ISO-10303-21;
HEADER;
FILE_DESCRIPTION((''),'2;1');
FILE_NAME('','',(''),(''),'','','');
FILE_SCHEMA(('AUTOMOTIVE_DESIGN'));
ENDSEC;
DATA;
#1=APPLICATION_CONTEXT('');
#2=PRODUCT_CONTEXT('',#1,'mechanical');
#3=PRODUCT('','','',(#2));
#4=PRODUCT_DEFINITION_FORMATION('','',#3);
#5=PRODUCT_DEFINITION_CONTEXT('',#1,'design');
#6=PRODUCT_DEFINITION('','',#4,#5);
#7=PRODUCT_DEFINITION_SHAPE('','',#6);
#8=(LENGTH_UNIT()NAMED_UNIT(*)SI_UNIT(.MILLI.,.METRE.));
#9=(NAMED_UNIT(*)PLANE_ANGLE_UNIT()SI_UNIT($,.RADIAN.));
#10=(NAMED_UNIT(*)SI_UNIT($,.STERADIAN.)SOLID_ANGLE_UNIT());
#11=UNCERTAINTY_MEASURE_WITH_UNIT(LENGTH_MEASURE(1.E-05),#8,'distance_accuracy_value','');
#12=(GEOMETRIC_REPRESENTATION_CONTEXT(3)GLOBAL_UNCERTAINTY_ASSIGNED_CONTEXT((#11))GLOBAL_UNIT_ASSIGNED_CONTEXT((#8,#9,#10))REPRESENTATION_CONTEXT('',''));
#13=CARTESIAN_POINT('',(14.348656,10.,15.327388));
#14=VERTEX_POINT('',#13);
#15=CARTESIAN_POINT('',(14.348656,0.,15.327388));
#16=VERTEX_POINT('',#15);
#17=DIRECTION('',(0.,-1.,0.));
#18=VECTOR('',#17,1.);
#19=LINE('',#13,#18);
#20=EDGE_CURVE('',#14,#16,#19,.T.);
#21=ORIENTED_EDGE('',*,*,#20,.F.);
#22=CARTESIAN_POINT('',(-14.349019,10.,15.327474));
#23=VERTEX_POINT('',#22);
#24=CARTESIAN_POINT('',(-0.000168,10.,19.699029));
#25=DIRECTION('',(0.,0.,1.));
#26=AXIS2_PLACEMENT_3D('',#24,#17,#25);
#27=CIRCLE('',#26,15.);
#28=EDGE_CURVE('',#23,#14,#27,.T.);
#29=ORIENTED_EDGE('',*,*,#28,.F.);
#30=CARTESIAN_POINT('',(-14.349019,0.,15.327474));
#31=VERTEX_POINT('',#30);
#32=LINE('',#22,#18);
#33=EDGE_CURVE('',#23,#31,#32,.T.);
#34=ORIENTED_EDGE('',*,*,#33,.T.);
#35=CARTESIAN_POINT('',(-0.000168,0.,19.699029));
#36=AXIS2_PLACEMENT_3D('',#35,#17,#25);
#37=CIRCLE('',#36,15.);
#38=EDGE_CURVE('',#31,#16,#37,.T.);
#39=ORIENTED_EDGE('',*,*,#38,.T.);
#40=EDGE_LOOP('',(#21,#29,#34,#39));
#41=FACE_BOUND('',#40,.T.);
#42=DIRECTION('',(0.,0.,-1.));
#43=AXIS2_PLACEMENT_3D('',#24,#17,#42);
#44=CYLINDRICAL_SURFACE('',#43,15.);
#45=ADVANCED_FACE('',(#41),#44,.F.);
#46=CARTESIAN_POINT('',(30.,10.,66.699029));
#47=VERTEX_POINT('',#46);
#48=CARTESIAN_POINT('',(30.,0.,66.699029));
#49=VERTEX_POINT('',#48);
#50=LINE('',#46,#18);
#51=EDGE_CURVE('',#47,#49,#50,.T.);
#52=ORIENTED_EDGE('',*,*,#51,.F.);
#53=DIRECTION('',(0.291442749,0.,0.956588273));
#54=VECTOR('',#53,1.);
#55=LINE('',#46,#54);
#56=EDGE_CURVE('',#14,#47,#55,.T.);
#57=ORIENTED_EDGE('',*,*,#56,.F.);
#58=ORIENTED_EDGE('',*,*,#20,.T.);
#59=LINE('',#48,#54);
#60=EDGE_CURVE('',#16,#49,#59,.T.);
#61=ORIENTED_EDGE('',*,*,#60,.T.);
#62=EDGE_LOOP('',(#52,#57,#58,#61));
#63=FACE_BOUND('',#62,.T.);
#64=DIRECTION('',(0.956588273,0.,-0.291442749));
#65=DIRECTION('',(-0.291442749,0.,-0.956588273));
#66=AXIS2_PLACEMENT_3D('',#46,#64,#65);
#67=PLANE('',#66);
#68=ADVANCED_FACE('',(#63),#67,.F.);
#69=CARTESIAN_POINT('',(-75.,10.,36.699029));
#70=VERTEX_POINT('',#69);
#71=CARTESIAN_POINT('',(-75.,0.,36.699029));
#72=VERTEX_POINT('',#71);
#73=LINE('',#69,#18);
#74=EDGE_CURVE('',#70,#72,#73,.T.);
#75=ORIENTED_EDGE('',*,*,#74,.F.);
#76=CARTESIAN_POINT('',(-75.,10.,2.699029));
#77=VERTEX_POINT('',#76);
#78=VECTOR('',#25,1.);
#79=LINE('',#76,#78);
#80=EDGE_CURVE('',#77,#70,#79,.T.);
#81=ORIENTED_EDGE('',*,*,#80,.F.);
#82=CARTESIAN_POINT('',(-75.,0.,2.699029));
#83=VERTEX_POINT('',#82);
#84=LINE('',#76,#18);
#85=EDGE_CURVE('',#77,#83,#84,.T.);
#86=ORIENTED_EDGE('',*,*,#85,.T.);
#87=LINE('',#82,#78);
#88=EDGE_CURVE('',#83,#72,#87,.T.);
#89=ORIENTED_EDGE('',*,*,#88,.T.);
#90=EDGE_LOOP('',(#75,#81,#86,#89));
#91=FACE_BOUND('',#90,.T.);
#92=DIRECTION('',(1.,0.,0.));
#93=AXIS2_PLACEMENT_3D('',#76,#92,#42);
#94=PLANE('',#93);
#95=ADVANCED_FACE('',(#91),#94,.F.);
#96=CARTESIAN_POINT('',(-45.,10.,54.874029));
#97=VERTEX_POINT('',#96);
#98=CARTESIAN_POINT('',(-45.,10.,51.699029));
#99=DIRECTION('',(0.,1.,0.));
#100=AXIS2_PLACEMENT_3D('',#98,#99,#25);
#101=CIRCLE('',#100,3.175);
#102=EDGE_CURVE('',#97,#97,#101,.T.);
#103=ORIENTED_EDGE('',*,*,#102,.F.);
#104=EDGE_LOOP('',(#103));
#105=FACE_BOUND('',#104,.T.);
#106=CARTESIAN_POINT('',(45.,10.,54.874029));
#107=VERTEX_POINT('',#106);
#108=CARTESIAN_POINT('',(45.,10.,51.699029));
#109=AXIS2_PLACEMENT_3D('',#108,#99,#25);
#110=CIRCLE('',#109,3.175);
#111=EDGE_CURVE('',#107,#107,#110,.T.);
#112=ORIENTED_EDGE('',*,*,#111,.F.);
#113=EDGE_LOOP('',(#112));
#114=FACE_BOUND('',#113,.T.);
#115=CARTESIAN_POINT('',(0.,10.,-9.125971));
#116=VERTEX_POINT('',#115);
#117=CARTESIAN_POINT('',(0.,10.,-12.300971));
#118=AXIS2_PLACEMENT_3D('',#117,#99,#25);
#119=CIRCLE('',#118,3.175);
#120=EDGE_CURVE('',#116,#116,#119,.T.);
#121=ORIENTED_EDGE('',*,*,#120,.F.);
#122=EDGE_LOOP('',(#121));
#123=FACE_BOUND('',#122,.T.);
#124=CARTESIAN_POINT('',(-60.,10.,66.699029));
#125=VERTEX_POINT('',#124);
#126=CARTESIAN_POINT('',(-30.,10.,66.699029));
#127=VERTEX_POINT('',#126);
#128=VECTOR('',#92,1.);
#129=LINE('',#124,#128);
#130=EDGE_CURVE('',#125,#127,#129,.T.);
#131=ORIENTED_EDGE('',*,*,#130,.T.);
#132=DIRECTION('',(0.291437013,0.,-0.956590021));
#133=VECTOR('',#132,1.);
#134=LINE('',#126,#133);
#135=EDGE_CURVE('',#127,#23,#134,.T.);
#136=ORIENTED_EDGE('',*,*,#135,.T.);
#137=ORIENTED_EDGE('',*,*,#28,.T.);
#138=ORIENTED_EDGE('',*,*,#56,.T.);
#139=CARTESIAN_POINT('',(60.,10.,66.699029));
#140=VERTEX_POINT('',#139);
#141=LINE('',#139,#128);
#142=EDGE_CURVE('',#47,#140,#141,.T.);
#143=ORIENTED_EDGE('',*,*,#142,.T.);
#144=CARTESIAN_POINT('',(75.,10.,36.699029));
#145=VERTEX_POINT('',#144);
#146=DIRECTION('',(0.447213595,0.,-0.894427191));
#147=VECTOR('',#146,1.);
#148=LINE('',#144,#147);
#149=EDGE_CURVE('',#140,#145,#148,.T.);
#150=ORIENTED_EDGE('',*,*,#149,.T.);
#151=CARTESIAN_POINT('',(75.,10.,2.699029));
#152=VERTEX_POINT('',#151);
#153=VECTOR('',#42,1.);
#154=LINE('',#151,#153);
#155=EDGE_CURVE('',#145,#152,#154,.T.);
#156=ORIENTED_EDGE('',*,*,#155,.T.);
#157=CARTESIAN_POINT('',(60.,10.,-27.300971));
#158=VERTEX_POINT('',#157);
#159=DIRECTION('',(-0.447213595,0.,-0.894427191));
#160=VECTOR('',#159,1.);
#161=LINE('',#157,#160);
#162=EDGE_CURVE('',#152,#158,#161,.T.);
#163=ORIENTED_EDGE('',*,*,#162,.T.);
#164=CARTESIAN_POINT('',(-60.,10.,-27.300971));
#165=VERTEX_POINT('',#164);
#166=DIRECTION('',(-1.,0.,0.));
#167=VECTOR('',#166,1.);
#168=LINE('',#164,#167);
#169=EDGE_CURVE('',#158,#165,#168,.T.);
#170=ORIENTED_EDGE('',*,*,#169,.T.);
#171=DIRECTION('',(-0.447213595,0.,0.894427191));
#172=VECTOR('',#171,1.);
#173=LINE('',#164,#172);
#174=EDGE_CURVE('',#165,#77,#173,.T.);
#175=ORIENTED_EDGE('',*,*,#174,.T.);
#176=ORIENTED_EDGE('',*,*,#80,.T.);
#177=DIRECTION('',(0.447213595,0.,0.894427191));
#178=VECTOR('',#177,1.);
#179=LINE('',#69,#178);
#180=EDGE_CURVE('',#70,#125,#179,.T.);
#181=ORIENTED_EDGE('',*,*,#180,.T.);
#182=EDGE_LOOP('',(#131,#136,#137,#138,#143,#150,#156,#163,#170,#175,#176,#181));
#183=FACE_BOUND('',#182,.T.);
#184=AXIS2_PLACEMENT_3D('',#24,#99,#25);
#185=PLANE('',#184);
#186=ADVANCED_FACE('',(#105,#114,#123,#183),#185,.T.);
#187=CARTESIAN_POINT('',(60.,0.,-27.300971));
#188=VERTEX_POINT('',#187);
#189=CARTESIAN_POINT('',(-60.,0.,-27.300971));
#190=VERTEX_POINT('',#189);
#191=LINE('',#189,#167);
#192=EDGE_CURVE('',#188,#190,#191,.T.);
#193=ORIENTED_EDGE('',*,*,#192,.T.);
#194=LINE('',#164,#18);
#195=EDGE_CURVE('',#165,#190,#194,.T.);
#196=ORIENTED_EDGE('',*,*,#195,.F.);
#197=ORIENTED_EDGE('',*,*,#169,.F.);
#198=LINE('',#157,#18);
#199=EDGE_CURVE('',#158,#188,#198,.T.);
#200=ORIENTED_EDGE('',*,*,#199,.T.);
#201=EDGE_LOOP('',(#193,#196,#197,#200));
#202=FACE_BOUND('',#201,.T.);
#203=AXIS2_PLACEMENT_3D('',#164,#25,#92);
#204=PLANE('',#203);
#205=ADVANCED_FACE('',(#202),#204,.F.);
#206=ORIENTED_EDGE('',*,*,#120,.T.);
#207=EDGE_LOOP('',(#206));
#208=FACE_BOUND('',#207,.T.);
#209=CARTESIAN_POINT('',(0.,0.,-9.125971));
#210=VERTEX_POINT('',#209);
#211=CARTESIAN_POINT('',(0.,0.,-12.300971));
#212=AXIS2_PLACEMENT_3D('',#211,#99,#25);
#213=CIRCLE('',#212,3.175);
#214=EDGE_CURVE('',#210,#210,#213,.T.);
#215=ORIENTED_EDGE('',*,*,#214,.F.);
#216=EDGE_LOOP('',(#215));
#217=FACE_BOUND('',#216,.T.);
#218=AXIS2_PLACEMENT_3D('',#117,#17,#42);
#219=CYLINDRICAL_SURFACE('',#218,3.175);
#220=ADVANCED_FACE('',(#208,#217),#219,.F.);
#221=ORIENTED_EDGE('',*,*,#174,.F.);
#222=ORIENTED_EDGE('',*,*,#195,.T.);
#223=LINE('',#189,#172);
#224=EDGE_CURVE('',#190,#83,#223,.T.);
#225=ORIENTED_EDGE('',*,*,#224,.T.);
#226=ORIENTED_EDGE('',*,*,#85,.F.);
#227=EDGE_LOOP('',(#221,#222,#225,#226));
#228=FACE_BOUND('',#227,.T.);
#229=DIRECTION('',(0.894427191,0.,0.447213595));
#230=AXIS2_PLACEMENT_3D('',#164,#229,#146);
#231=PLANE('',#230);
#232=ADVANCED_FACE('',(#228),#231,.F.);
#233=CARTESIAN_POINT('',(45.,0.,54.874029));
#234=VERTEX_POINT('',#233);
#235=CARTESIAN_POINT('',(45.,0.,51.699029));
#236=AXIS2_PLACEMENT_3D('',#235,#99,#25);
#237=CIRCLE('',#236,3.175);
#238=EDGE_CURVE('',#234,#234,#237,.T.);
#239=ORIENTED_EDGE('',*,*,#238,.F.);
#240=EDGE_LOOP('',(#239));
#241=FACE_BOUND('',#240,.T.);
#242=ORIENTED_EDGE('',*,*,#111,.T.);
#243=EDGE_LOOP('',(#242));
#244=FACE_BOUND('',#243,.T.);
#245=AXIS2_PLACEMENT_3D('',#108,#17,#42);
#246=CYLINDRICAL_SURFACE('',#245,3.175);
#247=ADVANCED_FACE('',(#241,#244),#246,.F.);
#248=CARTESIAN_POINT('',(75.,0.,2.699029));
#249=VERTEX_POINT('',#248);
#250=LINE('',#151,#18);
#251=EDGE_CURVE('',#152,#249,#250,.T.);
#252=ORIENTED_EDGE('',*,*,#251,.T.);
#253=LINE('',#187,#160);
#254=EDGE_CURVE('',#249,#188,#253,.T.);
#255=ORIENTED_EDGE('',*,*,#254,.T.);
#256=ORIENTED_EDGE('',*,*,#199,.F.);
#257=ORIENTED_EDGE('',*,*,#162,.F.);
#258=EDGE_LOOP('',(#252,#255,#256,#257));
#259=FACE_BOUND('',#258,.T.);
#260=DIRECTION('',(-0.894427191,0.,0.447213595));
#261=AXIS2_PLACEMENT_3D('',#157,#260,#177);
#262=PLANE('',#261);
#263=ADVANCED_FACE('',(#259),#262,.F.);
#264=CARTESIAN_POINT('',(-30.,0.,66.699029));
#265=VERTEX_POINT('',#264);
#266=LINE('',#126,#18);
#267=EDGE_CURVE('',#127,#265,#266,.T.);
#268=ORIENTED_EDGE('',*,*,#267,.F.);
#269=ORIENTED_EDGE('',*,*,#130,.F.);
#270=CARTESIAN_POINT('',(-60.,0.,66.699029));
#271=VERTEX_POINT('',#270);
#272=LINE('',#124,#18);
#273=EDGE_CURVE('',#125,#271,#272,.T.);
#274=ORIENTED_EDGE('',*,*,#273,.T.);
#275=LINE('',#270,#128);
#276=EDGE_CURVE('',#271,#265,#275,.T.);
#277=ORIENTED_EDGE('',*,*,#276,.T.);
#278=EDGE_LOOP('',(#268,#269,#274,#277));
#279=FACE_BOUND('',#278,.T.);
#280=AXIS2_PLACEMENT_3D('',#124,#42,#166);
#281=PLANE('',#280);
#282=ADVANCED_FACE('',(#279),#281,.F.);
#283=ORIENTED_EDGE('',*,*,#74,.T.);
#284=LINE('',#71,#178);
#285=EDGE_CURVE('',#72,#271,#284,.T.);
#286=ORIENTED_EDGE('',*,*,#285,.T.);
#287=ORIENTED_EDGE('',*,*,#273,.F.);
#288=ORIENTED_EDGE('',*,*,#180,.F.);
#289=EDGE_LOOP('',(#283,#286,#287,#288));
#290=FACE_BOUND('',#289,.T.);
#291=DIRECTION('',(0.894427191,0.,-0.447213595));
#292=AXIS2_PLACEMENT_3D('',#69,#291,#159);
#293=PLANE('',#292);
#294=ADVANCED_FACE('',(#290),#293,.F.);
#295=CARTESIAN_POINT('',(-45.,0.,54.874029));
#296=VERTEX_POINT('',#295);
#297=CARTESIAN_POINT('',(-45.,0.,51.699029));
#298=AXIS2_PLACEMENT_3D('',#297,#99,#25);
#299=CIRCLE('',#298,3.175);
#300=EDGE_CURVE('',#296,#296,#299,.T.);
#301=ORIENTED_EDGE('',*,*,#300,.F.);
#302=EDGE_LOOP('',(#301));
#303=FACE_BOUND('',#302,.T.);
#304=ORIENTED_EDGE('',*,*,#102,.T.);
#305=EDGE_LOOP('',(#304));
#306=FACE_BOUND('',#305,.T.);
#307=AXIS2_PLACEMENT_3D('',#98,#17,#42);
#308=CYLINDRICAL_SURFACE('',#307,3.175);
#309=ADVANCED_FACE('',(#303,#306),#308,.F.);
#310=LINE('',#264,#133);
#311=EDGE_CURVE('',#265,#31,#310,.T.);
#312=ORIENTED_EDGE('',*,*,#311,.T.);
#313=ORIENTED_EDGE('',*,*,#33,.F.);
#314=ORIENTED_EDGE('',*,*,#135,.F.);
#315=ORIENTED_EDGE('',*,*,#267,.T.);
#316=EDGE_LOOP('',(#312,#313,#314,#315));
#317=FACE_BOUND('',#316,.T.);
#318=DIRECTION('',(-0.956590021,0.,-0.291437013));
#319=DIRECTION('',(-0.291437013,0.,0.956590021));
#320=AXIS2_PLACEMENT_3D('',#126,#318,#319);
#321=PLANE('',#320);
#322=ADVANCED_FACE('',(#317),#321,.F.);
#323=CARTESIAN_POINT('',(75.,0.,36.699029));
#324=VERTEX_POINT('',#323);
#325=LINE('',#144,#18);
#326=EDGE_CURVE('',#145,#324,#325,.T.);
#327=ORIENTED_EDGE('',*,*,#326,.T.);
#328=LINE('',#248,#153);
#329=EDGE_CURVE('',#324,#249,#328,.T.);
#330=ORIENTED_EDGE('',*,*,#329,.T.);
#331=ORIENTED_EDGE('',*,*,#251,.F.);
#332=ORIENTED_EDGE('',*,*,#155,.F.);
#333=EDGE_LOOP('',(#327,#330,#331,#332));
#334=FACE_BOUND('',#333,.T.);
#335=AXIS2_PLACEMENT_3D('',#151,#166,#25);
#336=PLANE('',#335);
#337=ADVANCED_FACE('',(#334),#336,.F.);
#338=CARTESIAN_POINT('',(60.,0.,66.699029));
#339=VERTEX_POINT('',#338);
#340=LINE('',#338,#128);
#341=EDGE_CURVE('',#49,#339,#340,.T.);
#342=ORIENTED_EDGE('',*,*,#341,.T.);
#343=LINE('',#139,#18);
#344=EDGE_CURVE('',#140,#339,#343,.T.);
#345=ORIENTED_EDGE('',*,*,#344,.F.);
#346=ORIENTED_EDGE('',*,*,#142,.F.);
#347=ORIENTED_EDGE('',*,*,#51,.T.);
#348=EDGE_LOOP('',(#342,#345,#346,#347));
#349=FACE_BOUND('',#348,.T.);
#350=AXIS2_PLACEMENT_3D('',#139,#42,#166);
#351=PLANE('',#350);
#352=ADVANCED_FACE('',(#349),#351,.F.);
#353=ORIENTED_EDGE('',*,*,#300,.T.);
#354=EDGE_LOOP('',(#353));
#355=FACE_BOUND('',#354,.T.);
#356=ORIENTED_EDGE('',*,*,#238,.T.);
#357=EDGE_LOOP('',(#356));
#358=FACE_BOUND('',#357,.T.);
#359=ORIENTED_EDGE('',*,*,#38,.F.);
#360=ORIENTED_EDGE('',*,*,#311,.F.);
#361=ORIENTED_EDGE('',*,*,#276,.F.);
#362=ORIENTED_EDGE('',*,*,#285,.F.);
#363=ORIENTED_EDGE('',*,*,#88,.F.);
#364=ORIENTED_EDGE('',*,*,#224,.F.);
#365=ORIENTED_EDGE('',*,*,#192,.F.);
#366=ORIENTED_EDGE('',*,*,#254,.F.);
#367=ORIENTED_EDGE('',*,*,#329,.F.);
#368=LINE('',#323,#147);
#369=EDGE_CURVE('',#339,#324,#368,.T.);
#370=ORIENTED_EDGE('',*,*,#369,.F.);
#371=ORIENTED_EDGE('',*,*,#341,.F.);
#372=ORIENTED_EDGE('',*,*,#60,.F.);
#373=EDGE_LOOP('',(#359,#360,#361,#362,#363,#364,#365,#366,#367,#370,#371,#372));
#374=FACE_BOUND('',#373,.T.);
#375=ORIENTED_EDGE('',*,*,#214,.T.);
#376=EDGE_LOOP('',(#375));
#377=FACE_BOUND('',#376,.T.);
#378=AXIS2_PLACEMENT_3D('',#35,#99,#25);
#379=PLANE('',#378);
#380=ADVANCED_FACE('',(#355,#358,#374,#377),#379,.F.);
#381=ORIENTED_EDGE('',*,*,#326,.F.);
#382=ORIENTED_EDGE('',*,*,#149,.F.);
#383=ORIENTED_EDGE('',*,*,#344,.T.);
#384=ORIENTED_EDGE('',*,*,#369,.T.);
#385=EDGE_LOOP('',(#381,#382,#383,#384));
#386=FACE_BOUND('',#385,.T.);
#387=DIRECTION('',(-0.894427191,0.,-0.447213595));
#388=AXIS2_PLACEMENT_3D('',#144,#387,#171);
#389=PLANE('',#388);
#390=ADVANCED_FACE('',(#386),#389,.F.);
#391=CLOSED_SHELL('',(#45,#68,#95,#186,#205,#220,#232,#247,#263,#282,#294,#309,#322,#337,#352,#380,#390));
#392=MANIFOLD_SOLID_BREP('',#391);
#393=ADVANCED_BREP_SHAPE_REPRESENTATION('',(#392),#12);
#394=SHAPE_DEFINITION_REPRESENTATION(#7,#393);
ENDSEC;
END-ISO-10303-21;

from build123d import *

# Parameters (mm, degrees)
SKETCH1_R           = 3.175
BOSS_EXTRUDE1_DEPTH = 10


with BuildPart() as part:
    # Sketch1 → Boss-Extrude1 (new body)
    with BuildSketch(Plane(origin=(0, 0, 0), x_dir=(1, 0, 0), z_dir=(0, 1, 0))):
        with BuildLine():
            Line((-60, 27.300970874), (60, 27.300970874))
            Line((60, 27.300970874), (75, -2.699029126))
            Line((75, -2.699029126), (75, -36.699029126))
            Line((75, -36.699029126), (60, -66.699029126))
            Line((60, -66.699029126), (30, -66.699029126))
            Line((30, -66.699029126), (14.348655784, -15.327387893))
            ThreePointArc((14.348655784, -15.327387893), (-0.000213283, -4.699029126), (-14.34901862, -15.327473931))
            Line((-14.34901862, -15.327473931), (-30, -66.699029126))
            Line((-30, -66.699029126), (-60, -66.699029126))
            Line((-60, -66.699029126), (-75, -36.699029126))
            Line((-75, -36.699029126), (-75, -2.699029126))
            Line((-75, -2.699029126), (-60, 27.300970874))
        make_face()
        with Locations(Location((-45, -51.699029126, 0), (0, 0, 270))):
            Circle(SKETCH1_R, mode=Mode.SUBTRACT)
        with Locations(Location((0, 12.300970874, 0), (0, 0, 270))):
            Circle(SKETCH1_R, mode=Mode.SUBTRACT)
        with Locations(Location((45, -51.699029126, 0), (0, 0, 270))):
            Circle(SKETCH1_R, mode=Mode.SUBTRACT)
    extrude(amount=BOSS_EXTRUDE1_DEPTH)


solid = part.part
